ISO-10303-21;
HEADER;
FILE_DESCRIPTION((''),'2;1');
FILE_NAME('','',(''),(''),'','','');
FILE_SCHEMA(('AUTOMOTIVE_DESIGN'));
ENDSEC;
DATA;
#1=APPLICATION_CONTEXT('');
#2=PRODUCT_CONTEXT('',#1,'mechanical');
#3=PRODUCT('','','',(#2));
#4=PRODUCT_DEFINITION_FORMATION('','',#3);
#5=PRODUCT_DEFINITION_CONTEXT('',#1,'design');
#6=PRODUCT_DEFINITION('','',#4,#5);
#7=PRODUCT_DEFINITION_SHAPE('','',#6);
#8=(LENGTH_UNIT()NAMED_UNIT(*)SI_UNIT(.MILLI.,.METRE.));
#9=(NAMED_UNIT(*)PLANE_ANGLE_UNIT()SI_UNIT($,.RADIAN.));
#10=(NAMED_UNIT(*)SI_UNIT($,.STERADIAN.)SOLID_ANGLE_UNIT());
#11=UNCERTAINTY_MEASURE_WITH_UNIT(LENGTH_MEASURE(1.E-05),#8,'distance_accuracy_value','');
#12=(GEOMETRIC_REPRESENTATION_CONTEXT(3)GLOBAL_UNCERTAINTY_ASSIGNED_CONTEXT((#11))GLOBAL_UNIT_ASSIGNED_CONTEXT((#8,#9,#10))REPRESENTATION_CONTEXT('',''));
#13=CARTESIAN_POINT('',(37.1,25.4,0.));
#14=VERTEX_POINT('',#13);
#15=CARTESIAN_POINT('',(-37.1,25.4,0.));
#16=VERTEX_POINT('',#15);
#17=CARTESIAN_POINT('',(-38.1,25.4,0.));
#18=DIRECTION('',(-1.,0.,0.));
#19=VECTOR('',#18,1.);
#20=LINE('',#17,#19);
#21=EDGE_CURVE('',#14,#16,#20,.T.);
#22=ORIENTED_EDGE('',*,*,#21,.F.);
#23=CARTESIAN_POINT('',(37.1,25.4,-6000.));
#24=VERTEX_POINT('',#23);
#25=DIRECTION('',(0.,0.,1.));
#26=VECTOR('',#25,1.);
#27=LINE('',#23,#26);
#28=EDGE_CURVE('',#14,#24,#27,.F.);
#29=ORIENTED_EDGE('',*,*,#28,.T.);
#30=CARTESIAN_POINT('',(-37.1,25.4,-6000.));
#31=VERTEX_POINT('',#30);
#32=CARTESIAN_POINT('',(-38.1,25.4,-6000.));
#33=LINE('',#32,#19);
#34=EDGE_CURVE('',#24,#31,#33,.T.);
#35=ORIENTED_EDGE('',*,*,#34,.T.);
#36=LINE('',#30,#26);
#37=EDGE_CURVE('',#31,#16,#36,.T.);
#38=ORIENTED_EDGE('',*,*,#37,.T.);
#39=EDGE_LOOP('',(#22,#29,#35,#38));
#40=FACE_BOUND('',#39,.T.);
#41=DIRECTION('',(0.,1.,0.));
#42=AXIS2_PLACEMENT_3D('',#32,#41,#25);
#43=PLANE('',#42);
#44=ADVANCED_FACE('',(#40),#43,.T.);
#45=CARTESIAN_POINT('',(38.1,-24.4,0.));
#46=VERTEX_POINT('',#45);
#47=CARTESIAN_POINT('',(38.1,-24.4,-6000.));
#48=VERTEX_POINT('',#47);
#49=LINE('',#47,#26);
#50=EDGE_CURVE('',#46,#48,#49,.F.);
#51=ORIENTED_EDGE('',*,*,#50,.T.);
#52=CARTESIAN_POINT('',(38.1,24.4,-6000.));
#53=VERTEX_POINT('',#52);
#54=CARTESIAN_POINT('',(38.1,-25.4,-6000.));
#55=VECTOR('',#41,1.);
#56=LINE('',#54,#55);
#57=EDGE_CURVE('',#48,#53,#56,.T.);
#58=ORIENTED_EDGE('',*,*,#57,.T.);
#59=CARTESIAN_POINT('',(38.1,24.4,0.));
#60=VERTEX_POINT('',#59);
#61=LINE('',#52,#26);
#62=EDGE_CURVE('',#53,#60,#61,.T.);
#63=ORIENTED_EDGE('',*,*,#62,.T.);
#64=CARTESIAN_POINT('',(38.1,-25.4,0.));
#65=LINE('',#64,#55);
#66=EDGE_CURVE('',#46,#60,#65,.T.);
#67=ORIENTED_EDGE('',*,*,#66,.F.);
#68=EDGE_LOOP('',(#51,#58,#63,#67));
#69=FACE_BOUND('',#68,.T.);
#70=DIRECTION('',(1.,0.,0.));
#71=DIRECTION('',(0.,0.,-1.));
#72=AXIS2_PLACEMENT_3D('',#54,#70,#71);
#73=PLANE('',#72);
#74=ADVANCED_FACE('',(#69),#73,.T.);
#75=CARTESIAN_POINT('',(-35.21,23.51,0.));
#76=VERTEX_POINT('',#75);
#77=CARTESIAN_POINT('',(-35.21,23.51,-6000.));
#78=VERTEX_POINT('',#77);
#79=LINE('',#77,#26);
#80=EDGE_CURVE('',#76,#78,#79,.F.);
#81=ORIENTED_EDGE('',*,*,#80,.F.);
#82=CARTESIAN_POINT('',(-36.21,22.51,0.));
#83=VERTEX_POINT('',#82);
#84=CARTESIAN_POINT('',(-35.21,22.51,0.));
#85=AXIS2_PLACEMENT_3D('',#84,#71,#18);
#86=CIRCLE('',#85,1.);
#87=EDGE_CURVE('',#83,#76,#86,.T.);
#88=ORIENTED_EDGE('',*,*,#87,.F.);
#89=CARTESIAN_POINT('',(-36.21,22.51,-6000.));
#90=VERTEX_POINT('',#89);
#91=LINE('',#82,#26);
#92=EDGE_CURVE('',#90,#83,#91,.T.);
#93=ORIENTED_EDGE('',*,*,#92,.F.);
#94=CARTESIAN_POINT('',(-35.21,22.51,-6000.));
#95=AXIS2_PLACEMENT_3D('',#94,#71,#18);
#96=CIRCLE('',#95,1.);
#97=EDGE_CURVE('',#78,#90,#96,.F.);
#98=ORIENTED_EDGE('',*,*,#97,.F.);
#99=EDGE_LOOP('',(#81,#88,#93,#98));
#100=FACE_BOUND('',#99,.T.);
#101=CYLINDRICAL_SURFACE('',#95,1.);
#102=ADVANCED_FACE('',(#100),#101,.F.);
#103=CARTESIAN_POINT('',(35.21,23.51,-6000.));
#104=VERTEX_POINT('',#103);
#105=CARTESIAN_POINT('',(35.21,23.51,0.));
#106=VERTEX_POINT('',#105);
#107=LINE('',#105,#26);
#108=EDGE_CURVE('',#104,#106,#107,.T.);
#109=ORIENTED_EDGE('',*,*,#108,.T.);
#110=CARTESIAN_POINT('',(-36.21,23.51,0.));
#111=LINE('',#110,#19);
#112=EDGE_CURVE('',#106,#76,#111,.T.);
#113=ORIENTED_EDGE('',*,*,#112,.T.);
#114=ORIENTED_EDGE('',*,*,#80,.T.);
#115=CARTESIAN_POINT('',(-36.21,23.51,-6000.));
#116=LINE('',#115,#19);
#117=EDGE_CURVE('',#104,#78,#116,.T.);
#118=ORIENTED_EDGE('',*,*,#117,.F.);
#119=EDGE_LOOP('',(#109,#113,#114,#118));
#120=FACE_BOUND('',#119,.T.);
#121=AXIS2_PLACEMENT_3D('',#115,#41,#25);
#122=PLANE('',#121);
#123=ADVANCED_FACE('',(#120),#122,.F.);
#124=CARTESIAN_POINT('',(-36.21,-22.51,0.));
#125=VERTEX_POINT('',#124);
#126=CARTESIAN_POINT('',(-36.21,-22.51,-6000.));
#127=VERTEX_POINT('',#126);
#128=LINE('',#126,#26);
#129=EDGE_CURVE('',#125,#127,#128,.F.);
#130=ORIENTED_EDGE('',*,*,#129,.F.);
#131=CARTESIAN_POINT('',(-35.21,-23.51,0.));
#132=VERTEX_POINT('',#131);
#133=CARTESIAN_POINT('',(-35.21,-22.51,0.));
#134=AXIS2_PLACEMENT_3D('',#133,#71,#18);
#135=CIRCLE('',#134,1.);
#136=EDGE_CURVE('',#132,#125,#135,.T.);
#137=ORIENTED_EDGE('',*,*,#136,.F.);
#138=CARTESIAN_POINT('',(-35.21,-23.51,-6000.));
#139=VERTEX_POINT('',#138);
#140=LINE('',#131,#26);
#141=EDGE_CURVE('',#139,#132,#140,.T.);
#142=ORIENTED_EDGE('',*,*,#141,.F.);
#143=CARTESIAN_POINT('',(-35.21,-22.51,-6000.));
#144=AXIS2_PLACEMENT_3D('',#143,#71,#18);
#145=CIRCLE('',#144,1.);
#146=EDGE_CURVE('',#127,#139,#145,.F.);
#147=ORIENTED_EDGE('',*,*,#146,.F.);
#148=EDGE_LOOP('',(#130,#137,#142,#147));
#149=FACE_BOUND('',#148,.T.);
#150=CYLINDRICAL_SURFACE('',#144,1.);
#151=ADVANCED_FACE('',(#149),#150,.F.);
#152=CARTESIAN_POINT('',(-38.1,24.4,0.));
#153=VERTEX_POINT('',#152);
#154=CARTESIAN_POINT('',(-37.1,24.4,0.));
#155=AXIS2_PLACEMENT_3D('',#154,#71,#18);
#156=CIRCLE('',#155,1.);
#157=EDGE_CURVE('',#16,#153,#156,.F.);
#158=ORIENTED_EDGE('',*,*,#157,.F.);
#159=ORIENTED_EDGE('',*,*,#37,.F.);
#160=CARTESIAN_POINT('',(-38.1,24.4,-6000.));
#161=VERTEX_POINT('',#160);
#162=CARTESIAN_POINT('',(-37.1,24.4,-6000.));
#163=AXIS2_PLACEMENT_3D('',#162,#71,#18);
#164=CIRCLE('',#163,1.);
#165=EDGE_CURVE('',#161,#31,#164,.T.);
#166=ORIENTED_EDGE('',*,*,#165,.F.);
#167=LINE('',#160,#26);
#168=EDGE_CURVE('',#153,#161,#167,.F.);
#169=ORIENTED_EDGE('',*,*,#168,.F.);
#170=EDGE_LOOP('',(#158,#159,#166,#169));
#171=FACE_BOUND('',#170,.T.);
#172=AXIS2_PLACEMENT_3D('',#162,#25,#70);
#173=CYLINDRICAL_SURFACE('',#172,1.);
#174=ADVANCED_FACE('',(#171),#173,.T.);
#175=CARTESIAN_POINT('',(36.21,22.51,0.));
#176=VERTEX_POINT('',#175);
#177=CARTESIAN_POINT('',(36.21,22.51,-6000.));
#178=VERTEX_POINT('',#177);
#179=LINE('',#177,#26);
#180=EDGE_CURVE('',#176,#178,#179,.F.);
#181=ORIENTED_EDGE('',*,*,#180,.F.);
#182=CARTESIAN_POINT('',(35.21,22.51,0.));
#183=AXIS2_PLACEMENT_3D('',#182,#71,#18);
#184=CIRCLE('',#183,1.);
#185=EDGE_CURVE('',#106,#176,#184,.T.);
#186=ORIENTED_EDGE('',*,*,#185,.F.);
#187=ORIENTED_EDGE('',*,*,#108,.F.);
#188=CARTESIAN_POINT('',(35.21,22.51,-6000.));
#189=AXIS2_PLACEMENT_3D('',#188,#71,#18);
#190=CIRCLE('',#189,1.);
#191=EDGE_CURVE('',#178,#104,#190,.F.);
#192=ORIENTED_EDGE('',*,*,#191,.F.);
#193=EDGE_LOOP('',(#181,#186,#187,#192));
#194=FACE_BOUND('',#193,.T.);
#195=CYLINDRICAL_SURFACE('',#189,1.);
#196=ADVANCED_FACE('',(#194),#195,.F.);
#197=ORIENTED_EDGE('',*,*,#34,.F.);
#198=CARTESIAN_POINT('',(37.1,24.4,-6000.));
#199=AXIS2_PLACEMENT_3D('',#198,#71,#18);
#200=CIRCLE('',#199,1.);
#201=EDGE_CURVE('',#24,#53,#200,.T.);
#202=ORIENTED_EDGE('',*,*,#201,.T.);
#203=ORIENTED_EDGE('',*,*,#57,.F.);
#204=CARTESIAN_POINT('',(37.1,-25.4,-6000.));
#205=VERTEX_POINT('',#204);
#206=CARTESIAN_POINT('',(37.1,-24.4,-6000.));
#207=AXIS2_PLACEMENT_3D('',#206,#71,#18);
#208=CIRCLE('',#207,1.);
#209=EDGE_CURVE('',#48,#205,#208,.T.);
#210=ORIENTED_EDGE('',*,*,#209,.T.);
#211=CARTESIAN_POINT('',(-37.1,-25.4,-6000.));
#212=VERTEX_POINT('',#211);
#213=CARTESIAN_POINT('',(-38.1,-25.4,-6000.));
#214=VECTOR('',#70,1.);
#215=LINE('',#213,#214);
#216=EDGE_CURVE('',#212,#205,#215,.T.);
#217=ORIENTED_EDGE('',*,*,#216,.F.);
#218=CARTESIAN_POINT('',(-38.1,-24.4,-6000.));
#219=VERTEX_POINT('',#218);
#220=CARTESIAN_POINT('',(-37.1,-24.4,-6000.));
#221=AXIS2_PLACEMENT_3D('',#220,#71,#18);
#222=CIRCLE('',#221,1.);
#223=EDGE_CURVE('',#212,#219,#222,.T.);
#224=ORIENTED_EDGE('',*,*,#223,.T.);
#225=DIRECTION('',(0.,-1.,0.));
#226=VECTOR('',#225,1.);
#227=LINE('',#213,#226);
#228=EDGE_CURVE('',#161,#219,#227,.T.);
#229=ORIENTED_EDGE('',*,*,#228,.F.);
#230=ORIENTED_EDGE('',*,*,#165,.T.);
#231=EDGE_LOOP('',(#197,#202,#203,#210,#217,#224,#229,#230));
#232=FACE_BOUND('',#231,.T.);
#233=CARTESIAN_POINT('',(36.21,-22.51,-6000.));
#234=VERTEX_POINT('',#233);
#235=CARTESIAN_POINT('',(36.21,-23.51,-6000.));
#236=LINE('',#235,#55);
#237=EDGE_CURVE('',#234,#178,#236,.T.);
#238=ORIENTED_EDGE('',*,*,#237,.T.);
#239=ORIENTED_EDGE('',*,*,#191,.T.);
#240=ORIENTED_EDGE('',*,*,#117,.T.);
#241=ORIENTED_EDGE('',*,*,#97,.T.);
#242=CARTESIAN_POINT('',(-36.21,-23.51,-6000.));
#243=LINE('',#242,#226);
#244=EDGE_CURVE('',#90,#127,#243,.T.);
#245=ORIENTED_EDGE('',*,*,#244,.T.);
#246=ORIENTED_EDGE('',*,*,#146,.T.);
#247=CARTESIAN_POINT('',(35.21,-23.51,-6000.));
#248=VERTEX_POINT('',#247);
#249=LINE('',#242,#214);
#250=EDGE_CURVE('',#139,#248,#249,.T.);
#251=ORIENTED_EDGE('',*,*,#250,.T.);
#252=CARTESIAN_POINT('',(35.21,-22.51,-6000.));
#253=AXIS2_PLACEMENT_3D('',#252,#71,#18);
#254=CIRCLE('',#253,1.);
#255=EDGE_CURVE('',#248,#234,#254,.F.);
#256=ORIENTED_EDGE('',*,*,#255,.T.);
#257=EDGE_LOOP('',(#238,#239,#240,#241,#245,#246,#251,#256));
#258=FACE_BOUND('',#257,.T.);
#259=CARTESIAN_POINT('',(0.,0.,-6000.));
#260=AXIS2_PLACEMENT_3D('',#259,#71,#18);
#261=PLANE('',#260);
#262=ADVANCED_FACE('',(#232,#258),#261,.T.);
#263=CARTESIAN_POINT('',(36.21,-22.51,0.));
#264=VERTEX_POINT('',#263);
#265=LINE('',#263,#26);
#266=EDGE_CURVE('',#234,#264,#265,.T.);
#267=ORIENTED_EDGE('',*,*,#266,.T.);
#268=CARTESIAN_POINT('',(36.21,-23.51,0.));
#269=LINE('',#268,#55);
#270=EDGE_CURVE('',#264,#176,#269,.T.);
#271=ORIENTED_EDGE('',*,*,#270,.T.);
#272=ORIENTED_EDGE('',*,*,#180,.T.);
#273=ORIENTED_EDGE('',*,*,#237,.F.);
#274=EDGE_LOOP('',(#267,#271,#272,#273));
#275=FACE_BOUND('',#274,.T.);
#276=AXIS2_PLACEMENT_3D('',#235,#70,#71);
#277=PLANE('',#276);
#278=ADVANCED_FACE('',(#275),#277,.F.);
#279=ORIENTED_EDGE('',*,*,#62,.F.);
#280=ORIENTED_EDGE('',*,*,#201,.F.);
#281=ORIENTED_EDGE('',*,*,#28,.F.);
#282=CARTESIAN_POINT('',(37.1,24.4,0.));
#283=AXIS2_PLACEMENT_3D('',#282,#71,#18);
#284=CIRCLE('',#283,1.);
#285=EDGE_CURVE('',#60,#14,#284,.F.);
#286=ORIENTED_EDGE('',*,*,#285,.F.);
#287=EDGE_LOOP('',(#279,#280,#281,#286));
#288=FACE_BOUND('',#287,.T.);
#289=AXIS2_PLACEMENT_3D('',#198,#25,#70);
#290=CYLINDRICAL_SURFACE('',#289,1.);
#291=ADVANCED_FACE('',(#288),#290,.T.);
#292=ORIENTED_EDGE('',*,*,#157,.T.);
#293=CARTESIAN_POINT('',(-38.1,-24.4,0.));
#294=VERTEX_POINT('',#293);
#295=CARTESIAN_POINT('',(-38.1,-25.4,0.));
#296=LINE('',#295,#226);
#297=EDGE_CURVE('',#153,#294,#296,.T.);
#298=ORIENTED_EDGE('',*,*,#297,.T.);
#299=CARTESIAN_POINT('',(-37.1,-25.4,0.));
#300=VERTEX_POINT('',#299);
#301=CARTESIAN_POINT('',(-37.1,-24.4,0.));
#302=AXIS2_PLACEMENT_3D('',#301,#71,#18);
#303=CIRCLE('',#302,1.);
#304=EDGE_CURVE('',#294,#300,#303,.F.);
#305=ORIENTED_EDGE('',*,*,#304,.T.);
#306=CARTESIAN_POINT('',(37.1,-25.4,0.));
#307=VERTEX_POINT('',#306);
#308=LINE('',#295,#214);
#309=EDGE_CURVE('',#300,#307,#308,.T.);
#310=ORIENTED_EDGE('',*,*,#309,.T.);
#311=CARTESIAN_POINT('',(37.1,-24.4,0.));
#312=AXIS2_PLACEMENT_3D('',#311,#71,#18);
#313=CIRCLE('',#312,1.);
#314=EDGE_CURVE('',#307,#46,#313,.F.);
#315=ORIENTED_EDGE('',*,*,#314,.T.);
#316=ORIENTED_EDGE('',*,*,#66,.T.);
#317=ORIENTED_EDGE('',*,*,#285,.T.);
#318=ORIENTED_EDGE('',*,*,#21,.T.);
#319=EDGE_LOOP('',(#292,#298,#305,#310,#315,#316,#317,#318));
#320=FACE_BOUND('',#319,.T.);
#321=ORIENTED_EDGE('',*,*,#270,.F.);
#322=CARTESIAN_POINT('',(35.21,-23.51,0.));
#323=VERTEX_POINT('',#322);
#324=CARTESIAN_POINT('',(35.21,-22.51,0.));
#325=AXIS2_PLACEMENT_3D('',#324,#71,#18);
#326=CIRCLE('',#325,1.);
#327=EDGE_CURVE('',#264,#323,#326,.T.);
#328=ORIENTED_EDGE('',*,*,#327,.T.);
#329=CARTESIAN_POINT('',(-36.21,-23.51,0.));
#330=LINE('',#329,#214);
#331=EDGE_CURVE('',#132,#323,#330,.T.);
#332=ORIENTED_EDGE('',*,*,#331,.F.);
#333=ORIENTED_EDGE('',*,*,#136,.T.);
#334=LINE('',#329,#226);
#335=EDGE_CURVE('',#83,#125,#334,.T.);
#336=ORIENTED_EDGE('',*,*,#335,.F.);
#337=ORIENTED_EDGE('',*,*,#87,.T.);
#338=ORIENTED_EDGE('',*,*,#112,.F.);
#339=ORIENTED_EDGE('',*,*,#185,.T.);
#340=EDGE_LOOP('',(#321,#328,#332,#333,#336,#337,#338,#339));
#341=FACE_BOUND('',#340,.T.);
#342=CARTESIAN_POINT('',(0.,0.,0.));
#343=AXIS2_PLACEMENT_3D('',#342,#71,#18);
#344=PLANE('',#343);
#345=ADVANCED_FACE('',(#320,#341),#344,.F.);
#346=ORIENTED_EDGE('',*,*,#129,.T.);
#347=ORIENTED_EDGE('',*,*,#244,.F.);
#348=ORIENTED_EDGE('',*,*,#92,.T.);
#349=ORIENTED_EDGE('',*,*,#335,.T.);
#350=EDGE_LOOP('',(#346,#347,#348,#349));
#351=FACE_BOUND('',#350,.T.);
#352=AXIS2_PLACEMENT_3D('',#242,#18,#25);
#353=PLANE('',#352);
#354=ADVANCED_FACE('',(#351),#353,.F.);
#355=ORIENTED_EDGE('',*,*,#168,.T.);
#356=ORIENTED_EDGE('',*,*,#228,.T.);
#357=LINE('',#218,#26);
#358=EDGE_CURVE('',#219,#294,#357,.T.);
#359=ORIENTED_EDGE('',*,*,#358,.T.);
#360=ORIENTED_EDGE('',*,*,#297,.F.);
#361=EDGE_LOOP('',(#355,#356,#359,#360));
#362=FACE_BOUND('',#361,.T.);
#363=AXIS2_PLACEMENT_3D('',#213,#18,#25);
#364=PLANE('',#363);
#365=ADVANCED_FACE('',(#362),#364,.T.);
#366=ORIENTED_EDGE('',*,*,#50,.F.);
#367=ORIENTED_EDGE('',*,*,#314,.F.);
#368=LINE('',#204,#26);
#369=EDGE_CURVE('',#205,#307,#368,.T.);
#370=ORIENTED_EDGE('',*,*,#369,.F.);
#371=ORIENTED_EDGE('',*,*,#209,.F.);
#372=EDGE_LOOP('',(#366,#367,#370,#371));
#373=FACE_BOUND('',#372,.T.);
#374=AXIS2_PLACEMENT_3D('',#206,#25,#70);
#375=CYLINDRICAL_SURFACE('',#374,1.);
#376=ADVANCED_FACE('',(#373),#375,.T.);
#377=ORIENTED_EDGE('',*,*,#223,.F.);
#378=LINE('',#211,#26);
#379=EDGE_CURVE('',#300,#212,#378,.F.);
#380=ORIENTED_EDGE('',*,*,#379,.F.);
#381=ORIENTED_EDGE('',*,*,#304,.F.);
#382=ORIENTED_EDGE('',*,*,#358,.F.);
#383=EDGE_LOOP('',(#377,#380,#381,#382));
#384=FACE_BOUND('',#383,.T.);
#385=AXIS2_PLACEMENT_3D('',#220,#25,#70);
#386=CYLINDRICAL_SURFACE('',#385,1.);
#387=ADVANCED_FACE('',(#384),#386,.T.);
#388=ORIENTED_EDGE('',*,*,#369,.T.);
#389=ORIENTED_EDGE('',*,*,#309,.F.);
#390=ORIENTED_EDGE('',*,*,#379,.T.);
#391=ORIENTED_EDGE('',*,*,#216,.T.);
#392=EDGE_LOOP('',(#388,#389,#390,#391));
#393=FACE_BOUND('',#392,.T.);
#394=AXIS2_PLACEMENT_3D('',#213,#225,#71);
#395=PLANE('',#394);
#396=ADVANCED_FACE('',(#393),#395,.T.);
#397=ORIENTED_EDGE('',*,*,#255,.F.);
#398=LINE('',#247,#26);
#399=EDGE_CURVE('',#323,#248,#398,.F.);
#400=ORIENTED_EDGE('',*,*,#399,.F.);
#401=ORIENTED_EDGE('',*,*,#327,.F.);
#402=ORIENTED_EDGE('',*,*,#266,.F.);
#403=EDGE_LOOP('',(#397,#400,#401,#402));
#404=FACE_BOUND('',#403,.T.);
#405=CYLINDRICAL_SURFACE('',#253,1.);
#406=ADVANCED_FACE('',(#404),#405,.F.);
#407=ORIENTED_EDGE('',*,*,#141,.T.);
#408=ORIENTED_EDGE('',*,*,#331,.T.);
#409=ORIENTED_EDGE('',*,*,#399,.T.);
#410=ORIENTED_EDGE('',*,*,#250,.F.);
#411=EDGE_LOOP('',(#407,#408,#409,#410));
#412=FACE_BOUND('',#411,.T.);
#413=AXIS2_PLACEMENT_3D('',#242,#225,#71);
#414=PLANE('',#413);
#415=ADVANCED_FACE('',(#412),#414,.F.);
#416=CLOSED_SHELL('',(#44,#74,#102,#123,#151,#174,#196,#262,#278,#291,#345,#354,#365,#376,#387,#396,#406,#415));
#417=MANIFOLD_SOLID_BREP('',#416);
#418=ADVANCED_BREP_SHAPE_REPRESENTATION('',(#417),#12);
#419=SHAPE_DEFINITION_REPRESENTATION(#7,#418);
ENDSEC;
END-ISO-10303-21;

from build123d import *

# Parameters (mm, degrees)
CROQUIS1_W              = 76.2
CROQUIS1_H              = 50.8
CROQUIS1_W_2            = 72.42
CROQUIS1_H_2            = 47.02
SALIENTE_EXTRUIR1_DEPTH = 6000
REDONDEO1_R             = 1


with BuildPart() as part:
    # Croquis1 → Saliente-Extruir1 (new body)
    with BuildSketch(Plane.XY):
        Rectangle(CROQUIS1_W, CROQUIS1_H)
        Rectangle(CROQUIS1_W_2, CROQUIS1_H_2, mode=Mode.SUBTRACT)
    extrude(amount=-SALIENTE_EXTRUIR1_DEPTH)

    # Redondeo1
    redondeo1_edges = [part.edges().sort_by_distance(p)[0] for p in [
        (36.21, -23.51, -3000),
        (-36.21, -23.51, -3000),
        (-36.21, 23.51, -3000),
        (36.21, 23.51, -3000),
        (38.1, -25.4, -3000),
        (-38.1, -25.4, -3000),
        (-38.1, 25.4, -3000),
        (38.1, 25.4, -3000),
    ]]
    fillet(redondeo1_edges, radius=REDONDEO1_R)


solid = part.part
